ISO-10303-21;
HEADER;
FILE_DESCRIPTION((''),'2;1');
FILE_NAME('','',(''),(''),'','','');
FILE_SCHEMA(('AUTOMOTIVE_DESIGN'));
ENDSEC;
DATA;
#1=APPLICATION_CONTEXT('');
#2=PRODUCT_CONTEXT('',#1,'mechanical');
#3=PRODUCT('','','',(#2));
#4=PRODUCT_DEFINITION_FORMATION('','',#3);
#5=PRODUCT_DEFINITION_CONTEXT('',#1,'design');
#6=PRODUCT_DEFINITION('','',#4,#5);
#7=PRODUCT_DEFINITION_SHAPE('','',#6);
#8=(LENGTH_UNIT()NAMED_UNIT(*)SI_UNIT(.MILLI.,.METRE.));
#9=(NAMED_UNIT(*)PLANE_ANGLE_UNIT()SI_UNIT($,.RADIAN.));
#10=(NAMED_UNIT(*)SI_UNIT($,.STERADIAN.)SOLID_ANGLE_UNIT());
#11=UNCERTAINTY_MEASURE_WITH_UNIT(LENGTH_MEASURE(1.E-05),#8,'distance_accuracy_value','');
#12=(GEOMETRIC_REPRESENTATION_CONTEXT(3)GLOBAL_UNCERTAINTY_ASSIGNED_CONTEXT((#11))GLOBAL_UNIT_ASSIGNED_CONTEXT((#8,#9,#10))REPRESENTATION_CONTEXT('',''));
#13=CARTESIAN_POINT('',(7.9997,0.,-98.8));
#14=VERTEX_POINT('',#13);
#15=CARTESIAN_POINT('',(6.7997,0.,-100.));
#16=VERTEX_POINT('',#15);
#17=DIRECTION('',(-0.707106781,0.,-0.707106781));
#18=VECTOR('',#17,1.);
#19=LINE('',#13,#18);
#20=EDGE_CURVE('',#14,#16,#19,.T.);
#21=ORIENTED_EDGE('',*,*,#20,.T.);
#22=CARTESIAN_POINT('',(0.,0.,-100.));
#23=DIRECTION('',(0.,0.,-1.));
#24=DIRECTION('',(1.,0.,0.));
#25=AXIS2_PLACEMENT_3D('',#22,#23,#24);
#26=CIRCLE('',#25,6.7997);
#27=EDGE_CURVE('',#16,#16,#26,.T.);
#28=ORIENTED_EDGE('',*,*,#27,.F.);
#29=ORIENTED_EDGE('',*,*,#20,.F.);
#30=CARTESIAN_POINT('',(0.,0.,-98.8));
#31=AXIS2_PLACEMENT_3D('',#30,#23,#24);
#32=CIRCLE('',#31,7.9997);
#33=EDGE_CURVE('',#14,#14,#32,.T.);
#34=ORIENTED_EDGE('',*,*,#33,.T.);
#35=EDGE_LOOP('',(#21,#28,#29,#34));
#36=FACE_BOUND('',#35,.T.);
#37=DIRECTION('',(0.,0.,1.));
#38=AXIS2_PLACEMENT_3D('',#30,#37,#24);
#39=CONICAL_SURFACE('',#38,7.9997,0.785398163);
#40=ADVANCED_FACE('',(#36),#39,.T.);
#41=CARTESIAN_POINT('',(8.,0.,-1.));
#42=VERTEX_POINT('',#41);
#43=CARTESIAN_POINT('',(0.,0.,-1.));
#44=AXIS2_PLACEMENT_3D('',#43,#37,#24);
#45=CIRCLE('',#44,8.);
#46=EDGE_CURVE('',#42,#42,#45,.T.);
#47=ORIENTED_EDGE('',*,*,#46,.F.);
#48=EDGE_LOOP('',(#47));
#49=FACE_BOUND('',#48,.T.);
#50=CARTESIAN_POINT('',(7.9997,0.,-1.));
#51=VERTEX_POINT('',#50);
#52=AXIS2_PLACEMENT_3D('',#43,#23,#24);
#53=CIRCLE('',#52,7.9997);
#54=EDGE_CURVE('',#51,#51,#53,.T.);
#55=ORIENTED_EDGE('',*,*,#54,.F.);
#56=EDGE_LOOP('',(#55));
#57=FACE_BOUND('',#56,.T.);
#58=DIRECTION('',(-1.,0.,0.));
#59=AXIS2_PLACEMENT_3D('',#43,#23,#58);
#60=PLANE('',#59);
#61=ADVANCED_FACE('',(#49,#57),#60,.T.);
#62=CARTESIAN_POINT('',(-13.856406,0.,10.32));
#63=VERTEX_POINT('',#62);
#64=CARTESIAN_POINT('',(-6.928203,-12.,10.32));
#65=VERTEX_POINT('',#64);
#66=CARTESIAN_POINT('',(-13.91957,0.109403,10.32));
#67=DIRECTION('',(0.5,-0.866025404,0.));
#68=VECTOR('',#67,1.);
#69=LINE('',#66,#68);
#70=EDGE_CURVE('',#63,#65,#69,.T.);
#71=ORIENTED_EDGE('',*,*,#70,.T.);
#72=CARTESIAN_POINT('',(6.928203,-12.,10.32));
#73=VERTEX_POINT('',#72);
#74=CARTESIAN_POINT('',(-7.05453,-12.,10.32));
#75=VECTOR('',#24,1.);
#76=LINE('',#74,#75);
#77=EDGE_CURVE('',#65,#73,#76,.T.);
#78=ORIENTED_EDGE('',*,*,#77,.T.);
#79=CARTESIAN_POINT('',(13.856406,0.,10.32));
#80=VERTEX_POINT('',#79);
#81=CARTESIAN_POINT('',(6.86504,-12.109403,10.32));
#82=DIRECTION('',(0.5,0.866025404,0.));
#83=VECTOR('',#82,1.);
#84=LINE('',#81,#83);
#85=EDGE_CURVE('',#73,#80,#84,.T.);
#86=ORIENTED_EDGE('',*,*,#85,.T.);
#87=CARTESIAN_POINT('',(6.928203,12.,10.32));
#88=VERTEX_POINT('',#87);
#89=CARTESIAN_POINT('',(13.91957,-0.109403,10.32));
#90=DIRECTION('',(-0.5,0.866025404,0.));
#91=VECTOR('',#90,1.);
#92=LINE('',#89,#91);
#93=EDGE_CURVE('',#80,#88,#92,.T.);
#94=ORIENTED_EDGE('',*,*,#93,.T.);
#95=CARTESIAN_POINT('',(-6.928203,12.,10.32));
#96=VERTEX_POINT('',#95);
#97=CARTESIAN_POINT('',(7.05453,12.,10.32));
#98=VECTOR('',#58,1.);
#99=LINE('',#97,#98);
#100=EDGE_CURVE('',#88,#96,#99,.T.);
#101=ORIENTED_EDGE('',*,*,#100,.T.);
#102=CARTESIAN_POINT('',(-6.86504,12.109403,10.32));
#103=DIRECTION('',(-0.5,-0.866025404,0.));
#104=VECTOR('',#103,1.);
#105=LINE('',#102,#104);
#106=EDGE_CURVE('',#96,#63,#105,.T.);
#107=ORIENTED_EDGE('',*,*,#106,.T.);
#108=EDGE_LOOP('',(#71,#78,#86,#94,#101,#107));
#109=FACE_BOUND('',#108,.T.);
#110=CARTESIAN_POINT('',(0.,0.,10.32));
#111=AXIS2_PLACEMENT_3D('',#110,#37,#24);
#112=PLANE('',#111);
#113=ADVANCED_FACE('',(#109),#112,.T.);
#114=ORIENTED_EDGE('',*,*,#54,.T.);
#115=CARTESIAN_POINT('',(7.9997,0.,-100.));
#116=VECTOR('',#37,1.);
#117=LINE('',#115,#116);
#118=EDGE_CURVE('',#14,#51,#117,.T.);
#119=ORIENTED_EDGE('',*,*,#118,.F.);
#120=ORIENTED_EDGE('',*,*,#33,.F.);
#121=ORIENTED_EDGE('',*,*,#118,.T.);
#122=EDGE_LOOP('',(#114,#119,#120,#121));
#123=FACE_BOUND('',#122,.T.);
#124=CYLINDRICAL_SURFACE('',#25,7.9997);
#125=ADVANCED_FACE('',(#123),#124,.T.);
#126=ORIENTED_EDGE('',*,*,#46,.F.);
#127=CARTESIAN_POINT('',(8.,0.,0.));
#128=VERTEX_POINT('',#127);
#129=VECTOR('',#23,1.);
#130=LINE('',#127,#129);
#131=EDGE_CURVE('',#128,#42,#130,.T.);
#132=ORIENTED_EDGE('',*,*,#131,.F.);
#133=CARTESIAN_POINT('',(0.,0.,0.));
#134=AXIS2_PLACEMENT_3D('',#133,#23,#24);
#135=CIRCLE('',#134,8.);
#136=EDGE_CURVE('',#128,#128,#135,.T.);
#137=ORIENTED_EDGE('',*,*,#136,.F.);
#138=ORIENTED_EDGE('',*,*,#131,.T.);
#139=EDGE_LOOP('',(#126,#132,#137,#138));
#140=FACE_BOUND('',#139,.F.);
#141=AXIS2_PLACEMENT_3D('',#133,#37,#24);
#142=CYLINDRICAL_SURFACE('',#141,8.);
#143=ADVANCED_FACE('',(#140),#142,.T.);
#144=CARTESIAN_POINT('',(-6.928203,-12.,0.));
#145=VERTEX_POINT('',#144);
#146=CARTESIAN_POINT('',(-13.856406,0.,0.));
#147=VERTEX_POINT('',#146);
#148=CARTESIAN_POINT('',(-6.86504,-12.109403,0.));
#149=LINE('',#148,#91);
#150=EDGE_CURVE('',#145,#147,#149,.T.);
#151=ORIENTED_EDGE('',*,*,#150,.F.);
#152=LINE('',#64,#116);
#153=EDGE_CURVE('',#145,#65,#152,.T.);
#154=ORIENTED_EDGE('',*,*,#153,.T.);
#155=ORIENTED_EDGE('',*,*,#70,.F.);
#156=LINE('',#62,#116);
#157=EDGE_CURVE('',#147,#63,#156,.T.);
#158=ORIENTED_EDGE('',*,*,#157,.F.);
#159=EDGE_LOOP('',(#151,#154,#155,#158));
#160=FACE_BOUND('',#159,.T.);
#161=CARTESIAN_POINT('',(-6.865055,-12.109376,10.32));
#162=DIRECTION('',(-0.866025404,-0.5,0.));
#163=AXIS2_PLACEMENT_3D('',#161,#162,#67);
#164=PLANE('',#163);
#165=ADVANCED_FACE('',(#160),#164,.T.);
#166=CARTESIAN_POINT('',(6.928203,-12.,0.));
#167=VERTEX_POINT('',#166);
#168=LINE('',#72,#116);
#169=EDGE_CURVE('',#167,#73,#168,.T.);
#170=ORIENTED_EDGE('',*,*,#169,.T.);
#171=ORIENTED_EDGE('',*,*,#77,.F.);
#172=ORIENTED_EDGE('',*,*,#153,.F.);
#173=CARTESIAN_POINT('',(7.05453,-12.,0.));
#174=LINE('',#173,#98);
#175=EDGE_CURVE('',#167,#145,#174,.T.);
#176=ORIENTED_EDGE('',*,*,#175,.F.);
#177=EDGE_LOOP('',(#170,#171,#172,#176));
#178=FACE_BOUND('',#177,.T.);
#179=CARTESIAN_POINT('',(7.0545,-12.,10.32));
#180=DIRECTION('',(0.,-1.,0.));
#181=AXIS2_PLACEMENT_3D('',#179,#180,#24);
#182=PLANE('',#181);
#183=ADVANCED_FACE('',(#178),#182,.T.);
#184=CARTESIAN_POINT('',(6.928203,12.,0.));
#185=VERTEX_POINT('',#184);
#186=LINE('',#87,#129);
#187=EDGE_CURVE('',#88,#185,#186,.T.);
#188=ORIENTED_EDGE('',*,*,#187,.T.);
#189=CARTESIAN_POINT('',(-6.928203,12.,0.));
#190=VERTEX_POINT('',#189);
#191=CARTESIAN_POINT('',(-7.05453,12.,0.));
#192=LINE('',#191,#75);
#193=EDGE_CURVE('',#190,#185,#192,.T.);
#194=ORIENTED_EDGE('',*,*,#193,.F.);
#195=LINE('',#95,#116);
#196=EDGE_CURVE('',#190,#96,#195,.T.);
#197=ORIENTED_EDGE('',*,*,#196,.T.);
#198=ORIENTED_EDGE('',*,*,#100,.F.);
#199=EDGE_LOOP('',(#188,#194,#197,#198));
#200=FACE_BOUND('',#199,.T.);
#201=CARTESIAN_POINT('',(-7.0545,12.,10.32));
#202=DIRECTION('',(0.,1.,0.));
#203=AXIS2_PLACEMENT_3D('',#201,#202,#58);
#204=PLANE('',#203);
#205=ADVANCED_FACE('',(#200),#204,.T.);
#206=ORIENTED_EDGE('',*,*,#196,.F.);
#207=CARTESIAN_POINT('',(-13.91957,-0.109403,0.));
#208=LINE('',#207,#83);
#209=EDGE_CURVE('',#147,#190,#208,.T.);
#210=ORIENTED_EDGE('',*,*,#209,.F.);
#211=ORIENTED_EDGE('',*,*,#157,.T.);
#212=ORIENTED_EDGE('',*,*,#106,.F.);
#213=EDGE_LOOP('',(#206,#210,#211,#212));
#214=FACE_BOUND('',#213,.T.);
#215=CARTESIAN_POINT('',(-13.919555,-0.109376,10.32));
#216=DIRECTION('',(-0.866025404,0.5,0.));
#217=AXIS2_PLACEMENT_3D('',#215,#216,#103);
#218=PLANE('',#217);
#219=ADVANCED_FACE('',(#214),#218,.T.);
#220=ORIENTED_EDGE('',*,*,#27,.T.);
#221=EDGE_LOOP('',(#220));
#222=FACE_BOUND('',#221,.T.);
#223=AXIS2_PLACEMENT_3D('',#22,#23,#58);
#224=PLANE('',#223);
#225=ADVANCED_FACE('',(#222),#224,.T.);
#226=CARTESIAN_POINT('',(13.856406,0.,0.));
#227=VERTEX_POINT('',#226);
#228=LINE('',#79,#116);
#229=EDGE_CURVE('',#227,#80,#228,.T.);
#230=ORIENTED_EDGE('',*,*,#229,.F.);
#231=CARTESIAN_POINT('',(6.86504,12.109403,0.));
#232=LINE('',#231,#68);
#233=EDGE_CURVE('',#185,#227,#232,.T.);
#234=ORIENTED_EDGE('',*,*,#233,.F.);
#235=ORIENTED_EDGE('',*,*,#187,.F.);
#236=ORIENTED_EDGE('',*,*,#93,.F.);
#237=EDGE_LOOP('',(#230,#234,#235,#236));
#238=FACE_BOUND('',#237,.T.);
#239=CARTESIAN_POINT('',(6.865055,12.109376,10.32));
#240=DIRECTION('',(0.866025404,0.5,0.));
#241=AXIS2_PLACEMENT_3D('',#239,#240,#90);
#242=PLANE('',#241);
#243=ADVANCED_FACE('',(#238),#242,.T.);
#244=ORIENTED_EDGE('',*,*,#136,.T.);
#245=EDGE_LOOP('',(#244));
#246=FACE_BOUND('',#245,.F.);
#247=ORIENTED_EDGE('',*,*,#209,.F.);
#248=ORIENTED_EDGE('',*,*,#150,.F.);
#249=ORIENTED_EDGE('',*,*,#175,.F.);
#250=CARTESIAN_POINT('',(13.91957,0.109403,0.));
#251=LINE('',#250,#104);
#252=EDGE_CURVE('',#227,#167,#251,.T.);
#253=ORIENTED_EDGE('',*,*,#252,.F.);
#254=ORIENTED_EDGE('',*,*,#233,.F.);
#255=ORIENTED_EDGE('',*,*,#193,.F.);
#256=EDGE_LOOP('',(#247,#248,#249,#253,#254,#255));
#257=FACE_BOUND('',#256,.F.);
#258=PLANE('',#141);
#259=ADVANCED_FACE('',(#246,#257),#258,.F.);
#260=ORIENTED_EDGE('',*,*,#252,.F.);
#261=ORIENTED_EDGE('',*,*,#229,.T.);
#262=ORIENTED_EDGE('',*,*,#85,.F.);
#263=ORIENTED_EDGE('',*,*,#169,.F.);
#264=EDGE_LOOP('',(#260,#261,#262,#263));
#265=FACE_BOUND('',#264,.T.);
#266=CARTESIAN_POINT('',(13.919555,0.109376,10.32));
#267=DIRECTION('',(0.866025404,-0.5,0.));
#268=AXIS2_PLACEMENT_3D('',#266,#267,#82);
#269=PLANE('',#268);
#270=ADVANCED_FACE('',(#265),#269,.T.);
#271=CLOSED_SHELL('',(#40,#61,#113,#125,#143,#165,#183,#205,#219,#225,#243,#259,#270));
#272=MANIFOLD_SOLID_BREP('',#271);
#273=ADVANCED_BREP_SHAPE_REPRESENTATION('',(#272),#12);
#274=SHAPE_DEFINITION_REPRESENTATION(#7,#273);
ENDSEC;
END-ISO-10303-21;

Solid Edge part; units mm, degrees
sketch "Sketch1" plane through (0, 0, 0) normal (0, 0, 1) x (1, 0, 0)
  circle A0 centre (0, 0) radius 13.92
  dimension "D1" = 27.84
extrude "Protrusion1" add sketch "Sketch1" along normal blind 10.32
sketch "Sketch2" plane through (0, 0, 0) normal (0, 0, -1) x (1, 0, 0)
  circle A0 centre (0, 0) radius 8
extrude "Protrusion2" add sketch "Sketch2" along normal blind 100
sketch "Sketch3" plane through (0, 0, -100) normal (0, 0, -1) x (1, 0, 0)
  circle A0 centre (0, 0) radius 7.9997
extrude "Cutout1" cut sketch "Sketch3" against normal blind 99 flip side to cut
chamfer "Chamfer_1" distance 1.2 angle 45 1 edges at (-7.9997, 0, -100)
sketch "Sketch4" plane through (0, 0, 10.32) normal (0, 0, 1) x (1, 0, 0)
  line L0 (-7.0545, 12) -> (7.0545, 12)
  dimension "D1" = 24
extrude "Cutout2" cut sketch "Sketch4" against normal up to next material side at (0, 12.05, 10.32)
pattern_circular "Pattern1" count 6 over 360 about axis through (0, 0, 10.32) along (0, 0, 1) of "Cutout2"
properties part number "254218"
